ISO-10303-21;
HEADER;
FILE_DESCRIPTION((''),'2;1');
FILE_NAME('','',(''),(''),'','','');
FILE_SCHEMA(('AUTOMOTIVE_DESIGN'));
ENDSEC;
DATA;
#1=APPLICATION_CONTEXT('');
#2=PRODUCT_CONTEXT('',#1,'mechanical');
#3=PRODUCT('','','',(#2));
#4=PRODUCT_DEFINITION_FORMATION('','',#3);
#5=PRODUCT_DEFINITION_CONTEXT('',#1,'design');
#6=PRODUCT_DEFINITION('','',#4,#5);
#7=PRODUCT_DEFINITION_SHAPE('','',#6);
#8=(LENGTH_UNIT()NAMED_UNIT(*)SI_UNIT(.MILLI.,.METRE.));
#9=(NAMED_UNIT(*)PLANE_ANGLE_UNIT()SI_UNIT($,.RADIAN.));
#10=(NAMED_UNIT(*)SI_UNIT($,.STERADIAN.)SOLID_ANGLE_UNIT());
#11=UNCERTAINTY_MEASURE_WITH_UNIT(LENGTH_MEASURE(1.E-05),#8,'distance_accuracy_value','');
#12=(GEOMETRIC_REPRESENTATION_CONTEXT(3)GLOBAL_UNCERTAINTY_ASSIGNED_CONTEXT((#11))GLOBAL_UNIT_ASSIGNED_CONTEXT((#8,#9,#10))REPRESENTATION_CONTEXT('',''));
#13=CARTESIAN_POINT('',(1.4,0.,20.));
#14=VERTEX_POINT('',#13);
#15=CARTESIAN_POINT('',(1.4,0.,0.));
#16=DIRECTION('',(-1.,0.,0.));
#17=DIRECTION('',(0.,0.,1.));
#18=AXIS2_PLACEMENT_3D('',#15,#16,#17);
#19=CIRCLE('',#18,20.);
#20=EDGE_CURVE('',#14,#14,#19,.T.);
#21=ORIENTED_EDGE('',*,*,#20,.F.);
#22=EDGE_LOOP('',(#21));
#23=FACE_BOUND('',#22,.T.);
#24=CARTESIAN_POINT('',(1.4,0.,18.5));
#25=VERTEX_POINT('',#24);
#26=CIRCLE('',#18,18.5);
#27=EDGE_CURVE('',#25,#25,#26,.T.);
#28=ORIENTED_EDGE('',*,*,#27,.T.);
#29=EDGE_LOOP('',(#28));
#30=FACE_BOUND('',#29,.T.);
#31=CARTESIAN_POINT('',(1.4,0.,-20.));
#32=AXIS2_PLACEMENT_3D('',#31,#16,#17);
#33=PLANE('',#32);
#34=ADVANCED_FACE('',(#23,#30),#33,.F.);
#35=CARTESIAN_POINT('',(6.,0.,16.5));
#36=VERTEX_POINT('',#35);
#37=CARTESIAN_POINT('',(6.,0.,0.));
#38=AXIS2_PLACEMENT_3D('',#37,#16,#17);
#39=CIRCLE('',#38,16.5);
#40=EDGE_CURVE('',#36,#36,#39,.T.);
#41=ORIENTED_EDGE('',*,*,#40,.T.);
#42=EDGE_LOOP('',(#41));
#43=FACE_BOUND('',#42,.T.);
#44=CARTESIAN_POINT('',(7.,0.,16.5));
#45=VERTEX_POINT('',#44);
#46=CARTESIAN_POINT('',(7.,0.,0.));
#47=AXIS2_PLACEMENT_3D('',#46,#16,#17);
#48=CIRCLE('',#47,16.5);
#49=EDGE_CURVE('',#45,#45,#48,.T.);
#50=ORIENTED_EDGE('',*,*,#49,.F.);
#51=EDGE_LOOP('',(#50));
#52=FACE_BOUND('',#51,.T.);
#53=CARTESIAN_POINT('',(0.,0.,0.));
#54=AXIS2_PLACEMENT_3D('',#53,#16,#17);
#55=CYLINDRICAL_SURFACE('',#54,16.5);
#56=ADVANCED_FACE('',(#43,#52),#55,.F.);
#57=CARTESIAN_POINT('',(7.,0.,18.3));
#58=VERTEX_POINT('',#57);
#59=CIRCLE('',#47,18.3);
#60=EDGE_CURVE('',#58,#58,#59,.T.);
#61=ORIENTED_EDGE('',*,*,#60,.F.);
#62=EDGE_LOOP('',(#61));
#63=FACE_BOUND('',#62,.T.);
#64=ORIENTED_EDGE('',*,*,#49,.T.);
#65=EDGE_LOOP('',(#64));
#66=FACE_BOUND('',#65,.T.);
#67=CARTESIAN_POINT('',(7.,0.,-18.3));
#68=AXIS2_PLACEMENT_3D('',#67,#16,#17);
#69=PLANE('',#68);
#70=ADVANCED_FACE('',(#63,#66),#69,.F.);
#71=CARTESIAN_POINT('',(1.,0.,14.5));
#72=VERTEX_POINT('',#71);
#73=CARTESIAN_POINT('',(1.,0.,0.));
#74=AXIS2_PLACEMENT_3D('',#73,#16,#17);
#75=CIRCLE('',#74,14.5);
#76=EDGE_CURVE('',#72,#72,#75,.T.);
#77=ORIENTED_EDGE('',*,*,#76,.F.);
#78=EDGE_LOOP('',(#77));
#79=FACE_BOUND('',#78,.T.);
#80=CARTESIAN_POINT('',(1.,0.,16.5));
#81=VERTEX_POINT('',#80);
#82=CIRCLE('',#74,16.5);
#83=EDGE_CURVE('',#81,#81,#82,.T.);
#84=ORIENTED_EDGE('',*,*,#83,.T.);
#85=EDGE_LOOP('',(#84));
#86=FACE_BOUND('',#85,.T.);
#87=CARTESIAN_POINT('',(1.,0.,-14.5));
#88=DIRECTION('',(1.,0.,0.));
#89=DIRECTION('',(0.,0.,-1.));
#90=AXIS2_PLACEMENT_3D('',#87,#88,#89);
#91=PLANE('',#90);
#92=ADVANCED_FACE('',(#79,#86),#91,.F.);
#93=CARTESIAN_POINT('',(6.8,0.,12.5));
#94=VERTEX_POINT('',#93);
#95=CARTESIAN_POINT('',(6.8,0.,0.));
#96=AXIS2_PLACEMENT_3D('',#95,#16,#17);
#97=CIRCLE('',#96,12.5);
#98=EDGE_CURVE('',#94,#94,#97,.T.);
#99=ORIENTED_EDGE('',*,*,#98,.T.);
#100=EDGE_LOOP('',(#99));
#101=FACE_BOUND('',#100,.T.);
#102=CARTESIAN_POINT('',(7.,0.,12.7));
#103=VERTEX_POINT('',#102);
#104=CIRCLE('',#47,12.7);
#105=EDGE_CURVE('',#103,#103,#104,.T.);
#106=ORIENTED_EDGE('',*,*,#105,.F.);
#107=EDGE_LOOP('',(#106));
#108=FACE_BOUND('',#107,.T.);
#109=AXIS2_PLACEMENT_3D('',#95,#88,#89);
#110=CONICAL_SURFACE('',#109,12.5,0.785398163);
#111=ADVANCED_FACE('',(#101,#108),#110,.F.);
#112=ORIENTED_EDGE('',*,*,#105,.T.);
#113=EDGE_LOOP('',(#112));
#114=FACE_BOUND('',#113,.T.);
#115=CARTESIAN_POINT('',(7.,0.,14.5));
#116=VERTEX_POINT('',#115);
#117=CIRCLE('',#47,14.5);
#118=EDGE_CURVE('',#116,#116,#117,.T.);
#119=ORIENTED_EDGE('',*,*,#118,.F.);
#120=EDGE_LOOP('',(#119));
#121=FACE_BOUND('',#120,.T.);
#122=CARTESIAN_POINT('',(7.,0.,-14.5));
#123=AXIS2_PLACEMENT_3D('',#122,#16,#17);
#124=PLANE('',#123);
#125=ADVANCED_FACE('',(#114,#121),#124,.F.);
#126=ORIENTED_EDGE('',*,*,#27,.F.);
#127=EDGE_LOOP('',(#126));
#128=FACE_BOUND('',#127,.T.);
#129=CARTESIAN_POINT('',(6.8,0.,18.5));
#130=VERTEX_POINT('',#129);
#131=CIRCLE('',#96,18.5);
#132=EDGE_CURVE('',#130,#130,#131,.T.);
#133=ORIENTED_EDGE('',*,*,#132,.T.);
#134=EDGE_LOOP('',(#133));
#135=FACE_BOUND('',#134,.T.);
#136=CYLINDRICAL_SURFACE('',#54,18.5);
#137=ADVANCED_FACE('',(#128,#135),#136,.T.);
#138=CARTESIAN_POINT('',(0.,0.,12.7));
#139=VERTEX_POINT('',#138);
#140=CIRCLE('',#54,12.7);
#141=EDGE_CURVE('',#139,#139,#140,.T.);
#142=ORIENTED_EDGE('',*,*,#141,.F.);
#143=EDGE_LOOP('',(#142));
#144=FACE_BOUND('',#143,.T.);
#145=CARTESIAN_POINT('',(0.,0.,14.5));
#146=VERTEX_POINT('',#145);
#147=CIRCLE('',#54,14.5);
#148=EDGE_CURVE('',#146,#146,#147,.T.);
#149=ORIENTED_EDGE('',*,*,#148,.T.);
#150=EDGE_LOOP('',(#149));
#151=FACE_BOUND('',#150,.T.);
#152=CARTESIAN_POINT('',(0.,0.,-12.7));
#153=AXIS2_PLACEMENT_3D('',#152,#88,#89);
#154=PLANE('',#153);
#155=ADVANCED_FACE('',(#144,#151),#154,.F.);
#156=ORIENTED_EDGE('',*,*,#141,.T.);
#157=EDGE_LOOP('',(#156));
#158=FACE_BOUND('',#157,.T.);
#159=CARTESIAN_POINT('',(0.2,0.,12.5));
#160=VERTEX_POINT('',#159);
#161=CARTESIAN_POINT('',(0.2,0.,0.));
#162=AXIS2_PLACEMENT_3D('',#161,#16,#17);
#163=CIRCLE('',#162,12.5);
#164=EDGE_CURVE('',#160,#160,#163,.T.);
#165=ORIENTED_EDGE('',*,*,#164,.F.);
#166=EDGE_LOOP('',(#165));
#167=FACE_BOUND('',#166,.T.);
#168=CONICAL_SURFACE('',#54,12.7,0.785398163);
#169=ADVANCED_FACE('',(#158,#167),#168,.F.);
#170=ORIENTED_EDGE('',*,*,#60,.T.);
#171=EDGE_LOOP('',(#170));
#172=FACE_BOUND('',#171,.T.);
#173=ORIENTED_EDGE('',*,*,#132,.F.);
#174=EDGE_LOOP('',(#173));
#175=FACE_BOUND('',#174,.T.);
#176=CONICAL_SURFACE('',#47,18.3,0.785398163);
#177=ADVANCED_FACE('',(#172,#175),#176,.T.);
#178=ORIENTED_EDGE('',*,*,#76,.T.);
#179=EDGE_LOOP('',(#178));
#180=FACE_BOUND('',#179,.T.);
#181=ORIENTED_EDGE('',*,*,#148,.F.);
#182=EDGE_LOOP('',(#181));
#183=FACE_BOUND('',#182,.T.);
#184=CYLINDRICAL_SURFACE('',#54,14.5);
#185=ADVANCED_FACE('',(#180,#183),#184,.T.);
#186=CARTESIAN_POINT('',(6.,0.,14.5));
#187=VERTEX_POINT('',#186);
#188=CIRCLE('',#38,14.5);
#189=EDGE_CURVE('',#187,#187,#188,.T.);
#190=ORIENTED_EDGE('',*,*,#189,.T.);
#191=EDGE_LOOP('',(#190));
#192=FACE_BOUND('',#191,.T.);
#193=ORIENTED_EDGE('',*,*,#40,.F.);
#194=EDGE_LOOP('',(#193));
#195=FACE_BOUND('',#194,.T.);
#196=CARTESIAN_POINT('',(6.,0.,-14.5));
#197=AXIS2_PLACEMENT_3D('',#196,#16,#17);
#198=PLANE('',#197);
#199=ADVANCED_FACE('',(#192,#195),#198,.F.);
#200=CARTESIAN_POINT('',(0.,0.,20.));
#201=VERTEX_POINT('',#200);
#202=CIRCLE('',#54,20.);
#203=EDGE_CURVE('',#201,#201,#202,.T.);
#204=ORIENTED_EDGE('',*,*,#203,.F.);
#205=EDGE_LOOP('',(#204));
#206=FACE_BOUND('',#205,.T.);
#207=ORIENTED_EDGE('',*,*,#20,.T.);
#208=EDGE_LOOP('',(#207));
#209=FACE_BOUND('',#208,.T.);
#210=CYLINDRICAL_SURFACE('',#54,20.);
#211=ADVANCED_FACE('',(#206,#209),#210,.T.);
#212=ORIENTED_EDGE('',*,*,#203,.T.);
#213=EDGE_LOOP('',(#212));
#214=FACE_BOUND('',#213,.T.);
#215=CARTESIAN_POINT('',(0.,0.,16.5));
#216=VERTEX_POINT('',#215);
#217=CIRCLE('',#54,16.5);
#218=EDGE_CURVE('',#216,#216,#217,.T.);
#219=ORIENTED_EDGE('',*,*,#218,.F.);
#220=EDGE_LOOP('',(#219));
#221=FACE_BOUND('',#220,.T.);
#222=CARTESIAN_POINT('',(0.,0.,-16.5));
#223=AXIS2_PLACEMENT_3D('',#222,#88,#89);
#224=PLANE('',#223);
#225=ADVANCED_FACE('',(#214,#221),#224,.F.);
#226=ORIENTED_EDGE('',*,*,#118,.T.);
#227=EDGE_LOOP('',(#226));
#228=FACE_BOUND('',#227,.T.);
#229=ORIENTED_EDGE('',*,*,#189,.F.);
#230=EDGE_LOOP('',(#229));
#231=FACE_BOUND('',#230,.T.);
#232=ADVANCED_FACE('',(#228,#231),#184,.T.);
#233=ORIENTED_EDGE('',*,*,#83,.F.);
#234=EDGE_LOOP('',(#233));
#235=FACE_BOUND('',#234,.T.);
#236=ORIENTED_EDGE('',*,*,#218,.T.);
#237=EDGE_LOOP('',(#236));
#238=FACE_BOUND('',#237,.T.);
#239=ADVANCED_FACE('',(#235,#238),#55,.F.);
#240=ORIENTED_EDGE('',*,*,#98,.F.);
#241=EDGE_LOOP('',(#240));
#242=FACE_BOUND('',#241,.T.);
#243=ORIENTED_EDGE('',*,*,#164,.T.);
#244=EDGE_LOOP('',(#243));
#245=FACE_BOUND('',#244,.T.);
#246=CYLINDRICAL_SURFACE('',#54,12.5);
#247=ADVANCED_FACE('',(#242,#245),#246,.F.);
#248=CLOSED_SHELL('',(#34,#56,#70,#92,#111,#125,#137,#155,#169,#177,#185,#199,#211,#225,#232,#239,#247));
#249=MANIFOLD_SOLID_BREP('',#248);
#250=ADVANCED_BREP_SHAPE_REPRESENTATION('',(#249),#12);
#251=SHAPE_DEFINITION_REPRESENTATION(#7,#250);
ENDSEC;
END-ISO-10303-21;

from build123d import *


with BuildPart() as part:
    # Sketch2 → Revolve1 (revolve)
    with BuildSketch(Plane(origin=(0, 0, 0), x_dir=(1, 0, 0), z_dir=(0, 1, 0)), mode=Mode.PRIVATE) as revolve1_sk:
        Polygon((0, 12.7), (0, 14.5), (1, 14.5), (1, 16.5), (0, 16.5), (0, 20), (1.4, 20), (1.4, 18.5), (6.8, 18.5), (7, 18.3), (7, 16.5), (6, 16.5), (6, 14.5), (7, 14.5), (7, 12.7), (6.8, 12.5), (0.2, 12.5), align=None)
    revolve(revolve1_sk.sketch.rotate(Axis((0, 0, 0), (1, 0, 0)), 180), axis=Axis((0, 0, 0), (1, 0, 0)))


solid = part.part
